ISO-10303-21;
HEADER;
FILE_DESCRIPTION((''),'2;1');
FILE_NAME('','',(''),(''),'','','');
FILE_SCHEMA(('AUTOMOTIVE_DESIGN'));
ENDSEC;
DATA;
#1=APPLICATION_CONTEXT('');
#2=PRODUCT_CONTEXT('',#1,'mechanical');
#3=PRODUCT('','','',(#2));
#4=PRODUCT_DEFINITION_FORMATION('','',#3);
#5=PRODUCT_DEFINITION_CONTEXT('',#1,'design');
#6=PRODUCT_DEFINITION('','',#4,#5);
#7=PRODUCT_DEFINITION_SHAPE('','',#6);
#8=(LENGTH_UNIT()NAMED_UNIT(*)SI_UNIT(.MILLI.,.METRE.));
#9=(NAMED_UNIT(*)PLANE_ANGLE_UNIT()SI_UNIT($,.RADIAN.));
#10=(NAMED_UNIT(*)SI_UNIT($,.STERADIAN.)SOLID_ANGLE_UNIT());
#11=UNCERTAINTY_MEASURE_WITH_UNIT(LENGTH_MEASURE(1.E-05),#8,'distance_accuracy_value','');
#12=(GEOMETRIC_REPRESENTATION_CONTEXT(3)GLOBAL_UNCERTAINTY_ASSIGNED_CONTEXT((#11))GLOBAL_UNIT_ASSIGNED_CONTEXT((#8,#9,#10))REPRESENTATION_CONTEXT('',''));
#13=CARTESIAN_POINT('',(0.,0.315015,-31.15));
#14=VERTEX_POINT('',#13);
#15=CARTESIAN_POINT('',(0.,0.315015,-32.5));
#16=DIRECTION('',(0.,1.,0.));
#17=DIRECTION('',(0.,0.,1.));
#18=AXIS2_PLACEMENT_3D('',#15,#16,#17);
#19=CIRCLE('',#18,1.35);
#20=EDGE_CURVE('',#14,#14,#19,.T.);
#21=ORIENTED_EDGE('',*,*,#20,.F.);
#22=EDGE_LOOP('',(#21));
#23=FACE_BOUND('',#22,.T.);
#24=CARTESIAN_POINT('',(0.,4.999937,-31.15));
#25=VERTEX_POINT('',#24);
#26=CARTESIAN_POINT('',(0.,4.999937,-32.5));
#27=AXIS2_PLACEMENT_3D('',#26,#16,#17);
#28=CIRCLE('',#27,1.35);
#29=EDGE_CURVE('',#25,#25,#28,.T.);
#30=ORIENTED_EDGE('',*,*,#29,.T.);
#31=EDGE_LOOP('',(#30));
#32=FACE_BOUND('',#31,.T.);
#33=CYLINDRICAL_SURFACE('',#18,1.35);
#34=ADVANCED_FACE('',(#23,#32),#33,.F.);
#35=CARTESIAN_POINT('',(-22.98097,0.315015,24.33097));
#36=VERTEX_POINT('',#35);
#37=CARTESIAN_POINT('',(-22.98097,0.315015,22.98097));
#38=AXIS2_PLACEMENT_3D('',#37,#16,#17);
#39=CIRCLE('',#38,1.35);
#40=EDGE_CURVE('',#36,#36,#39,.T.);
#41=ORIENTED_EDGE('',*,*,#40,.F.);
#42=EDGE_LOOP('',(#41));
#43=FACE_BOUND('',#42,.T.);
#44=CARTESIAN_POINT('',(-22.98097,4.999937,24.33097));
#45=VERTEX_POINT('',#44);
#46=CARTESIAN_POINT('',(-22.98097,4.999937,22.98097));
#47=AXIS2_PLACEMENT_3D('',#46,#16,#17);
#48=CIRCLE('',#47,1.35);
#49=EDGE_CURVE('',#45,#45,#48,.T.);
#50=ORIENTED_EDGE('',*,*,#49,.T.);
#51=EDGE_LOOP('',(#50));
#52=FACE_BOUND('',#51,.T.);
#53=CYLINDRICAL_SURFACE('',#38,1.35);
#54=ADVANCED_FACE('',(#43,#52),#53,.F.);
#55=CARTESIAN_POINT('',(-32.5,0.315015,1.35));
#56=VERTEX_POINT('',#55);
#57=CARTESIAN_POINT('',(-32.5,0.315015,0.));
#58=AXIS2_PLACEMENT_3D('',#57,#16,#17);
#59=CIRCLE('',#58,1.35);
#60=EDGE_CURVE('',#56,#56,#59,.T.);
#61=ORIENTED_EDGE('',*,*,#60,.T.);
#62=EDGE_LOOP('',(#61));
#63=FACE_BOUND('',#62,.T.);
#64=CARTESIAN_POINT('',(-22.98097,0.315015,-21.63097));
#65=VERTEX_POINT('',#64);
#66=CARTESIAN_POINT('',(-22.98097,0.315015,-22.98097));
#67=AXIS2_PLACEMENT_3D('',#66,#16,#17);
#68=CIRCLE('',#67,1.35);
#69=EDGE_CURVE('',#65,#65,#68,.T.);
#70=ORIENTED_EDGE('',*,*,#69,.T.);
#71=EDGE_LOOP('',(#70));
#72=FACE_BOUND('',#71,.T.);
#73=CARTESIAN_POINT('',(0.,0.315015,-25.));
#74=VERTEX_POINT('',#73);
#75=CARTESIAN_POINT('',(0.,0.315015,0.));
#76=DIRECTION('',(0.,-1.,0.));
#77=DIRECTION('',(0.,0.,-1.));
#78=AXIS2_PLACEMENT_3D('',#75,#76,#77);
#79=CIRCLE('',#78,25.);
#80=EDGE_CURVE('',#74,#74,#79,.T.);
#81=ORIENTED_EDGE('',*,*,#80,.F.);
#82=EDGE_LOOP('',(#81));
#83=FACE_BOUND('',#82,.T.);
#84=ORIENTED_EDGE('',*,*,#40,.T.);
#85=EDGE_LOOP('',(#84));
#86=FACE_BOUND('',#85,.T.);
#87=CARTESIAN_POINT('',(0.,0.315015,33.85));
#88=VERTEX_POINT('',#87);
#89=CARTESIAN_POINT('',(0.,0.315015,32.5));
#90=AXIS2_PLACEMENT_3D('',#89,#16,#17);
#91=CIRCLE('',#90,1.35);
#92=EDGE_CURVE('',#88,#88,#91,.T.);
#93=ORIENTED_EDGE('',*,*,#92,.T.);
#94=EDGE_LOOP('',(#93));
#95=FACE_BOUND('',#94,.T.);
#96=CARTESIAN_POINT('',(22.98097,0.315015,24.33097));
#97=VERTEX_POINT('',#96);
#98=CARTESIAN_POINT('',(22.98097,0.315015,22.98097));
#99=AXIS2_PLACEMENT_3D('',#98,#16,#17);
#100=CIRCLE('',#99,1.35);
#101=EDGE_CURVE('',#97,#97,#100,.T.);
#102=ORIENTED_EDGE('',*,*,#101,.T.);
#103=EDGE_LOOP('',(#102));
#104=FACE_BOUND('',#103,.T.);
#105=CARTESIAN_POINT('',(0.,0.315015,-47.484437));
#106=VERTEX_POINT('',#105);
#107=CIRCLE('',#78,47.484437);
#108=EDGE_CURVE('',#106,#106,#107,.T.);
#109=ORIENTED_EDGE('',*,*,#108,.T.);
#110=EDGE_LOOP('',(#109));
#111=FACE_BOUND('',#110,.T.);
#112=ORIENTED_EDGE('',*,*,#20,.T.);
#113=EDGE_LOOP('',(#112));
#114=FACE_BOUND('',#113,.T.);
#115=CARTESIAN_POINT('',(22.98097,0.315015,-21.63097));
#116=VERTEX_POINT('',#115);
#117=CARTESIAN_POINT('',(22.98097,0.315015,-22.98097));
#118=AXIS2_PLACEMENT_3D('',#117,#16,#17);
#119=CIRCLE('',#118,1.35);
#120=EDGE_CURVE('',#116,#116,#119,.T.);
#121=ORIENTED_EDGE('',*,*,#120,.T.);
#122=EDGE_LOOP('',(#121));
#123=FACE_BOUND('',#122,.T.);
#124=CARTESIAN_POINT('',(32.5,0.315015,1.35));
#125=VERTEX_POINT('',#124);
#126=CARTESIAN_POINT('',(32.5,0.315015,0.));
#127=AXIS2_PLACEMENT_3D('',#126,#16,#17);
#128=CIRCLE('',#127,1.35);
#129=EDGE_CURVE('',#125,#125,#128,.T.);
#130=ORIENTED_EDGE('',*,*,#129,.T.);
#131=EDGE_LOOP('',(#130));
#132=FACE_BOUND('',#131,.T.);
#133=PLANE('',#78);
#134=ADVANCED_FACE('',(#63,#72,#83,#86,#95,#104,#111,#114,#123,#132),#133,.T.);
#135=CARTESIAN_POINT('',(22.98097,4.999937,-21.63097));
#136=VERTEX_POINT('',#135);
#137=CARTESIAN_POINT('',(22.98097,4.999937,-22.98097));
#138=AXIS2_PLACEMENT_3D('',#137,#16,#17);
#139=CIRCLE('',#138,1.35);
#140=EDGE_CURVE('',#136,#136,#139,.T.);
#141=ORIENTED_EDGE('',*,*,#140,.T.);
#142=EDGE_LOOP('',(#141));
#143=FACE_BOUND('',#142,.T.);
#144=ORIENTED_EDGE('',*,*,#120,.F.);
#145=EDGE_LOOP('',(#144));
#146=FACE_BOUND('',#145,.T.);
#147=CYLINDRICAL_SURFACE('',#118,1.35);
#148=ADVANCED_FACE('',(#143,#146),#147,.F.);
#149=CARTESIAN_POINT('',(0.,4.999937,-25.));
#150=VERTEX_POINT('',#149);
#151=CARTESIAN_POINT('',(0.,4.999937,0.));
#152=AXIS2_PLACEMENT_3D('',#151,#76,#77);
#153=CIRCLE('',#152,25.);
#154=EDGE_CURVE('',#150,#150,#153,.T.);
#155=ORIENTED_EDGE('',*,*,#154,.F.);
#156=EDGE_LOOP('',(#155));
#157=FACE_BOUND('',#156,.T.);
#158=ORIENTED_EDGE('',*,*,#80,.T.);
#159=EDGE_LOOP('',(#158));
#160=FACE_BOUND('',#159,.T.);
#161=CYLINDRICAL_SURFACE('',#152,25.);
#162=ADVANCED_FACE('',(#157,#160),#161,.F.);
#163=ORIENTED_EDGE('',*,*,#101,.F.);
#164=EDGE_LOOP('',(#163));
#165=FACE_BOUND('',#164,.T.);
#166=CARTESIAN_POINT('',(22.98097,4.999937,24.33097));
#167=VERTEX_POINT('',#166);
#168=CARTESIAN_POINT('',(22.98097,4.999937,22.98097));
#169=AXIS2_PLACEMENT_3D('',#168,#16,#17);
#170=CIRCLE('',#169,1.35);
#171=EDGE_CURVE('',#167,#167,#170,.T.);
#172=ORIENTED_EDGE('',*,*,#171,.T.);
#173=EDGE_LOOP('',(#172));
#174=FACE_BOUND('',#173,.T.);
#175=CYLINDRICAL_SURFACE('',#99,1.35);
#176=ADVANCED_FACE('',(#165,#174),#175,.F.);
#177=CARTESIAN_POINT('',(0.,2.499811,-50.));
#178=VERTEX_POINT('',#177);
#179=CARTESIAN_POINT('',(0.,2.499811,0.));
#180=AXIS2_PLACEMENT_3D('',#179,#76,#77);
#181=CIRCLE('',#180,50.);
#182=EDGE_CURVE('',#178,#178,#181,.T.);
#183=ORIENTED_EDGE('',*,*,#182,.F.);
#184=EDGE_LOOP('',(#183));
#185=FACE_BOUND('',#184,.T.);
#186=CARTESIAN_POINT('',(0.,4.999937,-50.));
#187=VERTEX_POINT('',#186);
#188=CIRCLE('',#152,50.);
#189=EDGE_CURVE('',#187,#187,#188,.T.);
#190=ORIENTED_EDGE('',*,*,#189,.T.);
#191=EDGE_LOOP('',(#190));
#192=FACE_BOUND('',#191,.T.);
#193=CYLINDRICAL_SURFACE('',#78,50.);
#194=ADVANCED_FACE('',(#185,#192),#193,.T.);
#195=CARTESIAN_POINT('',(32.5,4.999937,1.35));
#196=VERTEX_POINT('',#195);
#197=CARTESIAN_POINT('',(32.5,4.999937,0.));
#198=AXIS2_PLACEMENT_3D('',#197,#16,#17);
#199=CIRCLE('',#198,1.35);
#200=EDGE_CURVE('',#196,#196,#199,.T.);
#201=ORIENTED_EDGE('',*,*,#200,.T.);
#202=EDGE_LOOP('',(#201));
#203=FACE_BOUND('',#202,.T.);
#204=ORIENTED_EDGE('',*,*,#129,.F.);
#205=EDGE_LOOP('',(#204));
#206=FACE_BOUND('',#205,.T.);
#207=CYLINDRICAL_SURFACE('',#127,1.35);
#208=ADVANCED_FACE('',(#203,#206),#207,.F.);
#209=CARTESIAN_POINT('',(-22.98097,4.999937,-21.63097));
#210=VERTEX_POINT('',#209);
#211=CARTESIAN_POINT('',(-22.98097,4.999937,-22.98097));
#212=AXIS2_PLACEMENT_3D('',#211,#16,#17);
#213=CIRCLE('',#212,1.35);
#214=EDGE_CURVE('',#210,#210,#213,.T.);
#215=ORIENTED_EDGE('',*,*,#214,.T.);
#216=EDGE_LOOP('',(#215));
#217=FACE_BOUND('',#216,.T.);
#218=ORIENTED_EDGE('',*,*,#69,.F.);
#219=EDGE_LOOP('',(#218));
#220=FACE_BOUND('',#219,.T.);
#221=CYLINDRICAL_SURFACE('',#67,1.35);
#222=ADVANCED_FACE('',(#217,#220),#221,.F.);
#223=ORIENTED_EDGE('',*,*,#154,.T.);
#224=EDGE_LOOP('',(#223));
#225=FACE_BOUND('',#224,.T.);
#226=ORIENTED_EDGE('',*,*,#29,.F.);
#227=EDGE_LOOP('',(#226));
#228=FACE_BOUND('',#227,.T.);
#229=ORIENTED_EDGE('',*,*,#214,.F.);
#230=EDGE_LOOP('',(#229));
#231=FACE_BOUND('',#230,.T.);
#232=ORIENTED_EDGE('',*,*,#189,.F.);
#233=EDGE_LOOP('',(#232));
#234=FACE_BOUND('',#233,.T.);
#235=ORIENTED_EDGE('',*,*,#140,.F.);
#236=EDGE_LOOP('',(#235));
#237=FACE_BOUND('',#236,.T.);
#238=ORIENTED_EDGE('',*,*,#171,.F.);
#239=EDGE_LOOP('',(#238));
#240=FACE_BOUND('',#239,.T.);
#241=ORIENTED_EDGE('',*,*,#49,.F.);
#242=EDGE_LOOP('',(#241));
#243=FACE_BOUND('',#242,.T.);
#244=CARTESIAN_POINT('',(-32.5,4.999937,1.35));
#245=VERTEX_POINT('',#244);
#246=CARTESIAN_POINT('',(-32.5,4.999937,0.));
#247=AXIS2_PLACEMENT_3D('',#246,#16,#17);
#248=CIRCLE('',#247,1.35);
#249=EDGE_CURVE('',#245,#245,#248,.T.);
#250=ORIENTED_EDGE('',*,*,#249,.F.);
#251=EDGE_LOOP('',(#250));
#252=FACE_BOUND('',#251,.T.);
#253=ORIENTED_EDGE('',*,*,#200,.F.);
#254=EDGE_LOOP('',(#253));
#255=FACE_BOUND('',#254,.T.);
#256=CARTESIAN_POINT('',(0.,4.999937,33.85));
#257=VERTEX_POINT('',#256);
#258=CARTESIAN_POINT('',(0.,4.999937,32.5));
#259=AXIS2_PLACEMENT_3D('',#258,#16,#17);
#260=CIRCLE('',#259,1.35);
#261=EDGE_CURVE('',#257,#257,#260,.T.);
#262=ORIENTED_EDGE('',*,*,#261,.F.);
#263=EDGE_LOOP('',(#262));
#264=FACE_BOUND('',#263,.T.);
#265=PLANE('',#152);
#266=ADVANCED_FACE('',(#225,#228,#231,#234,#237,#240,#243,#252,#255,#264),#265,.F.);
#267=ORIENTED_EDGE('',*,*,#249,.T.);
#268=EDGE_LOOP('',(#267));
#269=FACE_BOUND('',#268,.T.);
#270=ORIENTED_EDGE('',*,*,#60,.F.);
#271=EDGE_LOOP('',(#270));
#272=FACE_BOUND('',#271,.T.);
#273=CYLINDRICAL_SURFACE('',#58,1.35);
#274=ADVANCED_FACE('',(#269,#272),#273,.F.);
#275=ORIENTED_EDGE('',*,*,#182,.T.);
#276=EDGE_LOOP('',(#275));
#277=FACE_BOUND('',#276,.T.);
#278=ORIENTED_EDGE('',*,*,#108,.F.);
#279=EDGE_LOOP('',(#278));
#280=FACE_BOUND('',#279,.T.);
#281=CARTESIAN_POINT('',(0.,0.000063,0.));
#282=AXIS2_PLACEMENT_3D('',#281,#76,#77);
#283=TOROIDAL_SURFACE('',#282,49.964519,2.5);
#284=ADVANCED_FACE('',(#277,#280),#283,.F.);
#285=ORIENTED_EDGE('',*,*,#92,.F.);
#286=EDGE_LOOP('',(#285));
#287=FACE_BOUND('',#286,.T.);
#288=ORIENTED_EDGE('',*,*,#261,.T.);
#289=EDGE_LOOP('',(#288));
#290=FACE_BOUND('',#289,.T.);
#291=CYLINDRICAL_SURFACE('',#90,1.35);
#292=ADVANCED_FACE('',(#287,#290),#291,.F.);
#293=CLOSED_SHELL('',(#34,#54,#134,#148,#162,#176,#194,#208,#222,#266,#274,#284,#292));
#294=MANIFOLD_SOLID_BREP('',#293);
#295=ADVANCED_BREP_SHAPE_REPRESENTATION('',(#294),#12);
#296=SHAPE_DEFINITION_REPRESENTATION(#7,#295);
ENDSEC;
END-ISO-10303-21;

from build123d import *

# Parameters (mm, degrees)
SKETCH2_R          = 1.35
CUT_EXTRUDE1_DEPTH = 71.865707448
SKETCH4_R          = 25
CUT_EXTRUDE2_DEPTH = 71.865707448


with BuildPart() as part:
    # Sketch1 → Revolve1 (revolve)
    with BuildSketch(Plane.XY, mode=Mode.PRIVATE) as revolve1_sk:
        with BuildLine():
            Line((0, 0.315015275), (-47.48443706, 0.315015275))
            ThreePointArc((-47.48443706, 0.315015275), (-48.325204531, 1.887561025), (-50, 2.499811149))
            Line((-50, 2.499811149), (-50, 4.999937053))
            Line((-50, 4.999937053), (0, 4.999937053))
            Line((0, 4.999937053), (0, 0.315015275))
        make_face()
    revolve(revolve1_sk.sketch.rotate(Axis((0, 0.315015275, 0), (0, 1, 0)), 270), axis=Axis((0, 0.315015275, 0), (0, 1, 0)))

    # Sketch2 → Cut-Extrude1 (cut, through all)
    with BuildSketch(Plane(origin=(0, 4.999937053, 0), x_dir=(1, 0, 0), z_dir=(0, 1, 0))):
        with Locations(Location((0, 32.5, 0), (0, 0, 270))):
            Circle(SKETCH2_R)
        with Locations(Location((22.980970389, 22.980970389, 0), (0, 0, 270))):
            Circle(SKETCH2_R)
        with Locations(Location((32.5, 0, 0), (0, 0, 270))):
            Circle(SKETCH2_R)
        with Locations(Location((22.980970389, -22.980970389, 0), (0, 0, 270))):
            Circle(SKETCH2_R)
        with Locations(Location((0, -32.5, 0), (0, 0, 270))):
            Circle(SKETCH2_R)
        with Locations(Location((-22.980970389, -22.980970389, 0), (0, 0, 270))):
            Circle(SKETCH2_R)
        with Locations(Location((-32.5, 0, 0), (0, 0, 270))):
            Circle(SKETCH2_R)
        with Locations(Location((-22.980970389, 22.980970389, 0), (0, 0, 270))):
            Circle(SKETCH2_R)
    extrude(amount=-CUT_EXTRUDE1_DEPTH, mode=Mode.SUBTRACT)

    # Sketch4 → Cut-Extrude2 (cut, through all)
    with BuildSketch(Plane.XZ.offset(-0.315015275)):
        with Locations(Location((0, 0, 0), (0, 0, 270))):
            Circle(SKETCH4_R)
    extrude(amount=-CUT_EXTRUDE2_DEPTH, mode=Mode.SUBTRACT)


solid = part.part
